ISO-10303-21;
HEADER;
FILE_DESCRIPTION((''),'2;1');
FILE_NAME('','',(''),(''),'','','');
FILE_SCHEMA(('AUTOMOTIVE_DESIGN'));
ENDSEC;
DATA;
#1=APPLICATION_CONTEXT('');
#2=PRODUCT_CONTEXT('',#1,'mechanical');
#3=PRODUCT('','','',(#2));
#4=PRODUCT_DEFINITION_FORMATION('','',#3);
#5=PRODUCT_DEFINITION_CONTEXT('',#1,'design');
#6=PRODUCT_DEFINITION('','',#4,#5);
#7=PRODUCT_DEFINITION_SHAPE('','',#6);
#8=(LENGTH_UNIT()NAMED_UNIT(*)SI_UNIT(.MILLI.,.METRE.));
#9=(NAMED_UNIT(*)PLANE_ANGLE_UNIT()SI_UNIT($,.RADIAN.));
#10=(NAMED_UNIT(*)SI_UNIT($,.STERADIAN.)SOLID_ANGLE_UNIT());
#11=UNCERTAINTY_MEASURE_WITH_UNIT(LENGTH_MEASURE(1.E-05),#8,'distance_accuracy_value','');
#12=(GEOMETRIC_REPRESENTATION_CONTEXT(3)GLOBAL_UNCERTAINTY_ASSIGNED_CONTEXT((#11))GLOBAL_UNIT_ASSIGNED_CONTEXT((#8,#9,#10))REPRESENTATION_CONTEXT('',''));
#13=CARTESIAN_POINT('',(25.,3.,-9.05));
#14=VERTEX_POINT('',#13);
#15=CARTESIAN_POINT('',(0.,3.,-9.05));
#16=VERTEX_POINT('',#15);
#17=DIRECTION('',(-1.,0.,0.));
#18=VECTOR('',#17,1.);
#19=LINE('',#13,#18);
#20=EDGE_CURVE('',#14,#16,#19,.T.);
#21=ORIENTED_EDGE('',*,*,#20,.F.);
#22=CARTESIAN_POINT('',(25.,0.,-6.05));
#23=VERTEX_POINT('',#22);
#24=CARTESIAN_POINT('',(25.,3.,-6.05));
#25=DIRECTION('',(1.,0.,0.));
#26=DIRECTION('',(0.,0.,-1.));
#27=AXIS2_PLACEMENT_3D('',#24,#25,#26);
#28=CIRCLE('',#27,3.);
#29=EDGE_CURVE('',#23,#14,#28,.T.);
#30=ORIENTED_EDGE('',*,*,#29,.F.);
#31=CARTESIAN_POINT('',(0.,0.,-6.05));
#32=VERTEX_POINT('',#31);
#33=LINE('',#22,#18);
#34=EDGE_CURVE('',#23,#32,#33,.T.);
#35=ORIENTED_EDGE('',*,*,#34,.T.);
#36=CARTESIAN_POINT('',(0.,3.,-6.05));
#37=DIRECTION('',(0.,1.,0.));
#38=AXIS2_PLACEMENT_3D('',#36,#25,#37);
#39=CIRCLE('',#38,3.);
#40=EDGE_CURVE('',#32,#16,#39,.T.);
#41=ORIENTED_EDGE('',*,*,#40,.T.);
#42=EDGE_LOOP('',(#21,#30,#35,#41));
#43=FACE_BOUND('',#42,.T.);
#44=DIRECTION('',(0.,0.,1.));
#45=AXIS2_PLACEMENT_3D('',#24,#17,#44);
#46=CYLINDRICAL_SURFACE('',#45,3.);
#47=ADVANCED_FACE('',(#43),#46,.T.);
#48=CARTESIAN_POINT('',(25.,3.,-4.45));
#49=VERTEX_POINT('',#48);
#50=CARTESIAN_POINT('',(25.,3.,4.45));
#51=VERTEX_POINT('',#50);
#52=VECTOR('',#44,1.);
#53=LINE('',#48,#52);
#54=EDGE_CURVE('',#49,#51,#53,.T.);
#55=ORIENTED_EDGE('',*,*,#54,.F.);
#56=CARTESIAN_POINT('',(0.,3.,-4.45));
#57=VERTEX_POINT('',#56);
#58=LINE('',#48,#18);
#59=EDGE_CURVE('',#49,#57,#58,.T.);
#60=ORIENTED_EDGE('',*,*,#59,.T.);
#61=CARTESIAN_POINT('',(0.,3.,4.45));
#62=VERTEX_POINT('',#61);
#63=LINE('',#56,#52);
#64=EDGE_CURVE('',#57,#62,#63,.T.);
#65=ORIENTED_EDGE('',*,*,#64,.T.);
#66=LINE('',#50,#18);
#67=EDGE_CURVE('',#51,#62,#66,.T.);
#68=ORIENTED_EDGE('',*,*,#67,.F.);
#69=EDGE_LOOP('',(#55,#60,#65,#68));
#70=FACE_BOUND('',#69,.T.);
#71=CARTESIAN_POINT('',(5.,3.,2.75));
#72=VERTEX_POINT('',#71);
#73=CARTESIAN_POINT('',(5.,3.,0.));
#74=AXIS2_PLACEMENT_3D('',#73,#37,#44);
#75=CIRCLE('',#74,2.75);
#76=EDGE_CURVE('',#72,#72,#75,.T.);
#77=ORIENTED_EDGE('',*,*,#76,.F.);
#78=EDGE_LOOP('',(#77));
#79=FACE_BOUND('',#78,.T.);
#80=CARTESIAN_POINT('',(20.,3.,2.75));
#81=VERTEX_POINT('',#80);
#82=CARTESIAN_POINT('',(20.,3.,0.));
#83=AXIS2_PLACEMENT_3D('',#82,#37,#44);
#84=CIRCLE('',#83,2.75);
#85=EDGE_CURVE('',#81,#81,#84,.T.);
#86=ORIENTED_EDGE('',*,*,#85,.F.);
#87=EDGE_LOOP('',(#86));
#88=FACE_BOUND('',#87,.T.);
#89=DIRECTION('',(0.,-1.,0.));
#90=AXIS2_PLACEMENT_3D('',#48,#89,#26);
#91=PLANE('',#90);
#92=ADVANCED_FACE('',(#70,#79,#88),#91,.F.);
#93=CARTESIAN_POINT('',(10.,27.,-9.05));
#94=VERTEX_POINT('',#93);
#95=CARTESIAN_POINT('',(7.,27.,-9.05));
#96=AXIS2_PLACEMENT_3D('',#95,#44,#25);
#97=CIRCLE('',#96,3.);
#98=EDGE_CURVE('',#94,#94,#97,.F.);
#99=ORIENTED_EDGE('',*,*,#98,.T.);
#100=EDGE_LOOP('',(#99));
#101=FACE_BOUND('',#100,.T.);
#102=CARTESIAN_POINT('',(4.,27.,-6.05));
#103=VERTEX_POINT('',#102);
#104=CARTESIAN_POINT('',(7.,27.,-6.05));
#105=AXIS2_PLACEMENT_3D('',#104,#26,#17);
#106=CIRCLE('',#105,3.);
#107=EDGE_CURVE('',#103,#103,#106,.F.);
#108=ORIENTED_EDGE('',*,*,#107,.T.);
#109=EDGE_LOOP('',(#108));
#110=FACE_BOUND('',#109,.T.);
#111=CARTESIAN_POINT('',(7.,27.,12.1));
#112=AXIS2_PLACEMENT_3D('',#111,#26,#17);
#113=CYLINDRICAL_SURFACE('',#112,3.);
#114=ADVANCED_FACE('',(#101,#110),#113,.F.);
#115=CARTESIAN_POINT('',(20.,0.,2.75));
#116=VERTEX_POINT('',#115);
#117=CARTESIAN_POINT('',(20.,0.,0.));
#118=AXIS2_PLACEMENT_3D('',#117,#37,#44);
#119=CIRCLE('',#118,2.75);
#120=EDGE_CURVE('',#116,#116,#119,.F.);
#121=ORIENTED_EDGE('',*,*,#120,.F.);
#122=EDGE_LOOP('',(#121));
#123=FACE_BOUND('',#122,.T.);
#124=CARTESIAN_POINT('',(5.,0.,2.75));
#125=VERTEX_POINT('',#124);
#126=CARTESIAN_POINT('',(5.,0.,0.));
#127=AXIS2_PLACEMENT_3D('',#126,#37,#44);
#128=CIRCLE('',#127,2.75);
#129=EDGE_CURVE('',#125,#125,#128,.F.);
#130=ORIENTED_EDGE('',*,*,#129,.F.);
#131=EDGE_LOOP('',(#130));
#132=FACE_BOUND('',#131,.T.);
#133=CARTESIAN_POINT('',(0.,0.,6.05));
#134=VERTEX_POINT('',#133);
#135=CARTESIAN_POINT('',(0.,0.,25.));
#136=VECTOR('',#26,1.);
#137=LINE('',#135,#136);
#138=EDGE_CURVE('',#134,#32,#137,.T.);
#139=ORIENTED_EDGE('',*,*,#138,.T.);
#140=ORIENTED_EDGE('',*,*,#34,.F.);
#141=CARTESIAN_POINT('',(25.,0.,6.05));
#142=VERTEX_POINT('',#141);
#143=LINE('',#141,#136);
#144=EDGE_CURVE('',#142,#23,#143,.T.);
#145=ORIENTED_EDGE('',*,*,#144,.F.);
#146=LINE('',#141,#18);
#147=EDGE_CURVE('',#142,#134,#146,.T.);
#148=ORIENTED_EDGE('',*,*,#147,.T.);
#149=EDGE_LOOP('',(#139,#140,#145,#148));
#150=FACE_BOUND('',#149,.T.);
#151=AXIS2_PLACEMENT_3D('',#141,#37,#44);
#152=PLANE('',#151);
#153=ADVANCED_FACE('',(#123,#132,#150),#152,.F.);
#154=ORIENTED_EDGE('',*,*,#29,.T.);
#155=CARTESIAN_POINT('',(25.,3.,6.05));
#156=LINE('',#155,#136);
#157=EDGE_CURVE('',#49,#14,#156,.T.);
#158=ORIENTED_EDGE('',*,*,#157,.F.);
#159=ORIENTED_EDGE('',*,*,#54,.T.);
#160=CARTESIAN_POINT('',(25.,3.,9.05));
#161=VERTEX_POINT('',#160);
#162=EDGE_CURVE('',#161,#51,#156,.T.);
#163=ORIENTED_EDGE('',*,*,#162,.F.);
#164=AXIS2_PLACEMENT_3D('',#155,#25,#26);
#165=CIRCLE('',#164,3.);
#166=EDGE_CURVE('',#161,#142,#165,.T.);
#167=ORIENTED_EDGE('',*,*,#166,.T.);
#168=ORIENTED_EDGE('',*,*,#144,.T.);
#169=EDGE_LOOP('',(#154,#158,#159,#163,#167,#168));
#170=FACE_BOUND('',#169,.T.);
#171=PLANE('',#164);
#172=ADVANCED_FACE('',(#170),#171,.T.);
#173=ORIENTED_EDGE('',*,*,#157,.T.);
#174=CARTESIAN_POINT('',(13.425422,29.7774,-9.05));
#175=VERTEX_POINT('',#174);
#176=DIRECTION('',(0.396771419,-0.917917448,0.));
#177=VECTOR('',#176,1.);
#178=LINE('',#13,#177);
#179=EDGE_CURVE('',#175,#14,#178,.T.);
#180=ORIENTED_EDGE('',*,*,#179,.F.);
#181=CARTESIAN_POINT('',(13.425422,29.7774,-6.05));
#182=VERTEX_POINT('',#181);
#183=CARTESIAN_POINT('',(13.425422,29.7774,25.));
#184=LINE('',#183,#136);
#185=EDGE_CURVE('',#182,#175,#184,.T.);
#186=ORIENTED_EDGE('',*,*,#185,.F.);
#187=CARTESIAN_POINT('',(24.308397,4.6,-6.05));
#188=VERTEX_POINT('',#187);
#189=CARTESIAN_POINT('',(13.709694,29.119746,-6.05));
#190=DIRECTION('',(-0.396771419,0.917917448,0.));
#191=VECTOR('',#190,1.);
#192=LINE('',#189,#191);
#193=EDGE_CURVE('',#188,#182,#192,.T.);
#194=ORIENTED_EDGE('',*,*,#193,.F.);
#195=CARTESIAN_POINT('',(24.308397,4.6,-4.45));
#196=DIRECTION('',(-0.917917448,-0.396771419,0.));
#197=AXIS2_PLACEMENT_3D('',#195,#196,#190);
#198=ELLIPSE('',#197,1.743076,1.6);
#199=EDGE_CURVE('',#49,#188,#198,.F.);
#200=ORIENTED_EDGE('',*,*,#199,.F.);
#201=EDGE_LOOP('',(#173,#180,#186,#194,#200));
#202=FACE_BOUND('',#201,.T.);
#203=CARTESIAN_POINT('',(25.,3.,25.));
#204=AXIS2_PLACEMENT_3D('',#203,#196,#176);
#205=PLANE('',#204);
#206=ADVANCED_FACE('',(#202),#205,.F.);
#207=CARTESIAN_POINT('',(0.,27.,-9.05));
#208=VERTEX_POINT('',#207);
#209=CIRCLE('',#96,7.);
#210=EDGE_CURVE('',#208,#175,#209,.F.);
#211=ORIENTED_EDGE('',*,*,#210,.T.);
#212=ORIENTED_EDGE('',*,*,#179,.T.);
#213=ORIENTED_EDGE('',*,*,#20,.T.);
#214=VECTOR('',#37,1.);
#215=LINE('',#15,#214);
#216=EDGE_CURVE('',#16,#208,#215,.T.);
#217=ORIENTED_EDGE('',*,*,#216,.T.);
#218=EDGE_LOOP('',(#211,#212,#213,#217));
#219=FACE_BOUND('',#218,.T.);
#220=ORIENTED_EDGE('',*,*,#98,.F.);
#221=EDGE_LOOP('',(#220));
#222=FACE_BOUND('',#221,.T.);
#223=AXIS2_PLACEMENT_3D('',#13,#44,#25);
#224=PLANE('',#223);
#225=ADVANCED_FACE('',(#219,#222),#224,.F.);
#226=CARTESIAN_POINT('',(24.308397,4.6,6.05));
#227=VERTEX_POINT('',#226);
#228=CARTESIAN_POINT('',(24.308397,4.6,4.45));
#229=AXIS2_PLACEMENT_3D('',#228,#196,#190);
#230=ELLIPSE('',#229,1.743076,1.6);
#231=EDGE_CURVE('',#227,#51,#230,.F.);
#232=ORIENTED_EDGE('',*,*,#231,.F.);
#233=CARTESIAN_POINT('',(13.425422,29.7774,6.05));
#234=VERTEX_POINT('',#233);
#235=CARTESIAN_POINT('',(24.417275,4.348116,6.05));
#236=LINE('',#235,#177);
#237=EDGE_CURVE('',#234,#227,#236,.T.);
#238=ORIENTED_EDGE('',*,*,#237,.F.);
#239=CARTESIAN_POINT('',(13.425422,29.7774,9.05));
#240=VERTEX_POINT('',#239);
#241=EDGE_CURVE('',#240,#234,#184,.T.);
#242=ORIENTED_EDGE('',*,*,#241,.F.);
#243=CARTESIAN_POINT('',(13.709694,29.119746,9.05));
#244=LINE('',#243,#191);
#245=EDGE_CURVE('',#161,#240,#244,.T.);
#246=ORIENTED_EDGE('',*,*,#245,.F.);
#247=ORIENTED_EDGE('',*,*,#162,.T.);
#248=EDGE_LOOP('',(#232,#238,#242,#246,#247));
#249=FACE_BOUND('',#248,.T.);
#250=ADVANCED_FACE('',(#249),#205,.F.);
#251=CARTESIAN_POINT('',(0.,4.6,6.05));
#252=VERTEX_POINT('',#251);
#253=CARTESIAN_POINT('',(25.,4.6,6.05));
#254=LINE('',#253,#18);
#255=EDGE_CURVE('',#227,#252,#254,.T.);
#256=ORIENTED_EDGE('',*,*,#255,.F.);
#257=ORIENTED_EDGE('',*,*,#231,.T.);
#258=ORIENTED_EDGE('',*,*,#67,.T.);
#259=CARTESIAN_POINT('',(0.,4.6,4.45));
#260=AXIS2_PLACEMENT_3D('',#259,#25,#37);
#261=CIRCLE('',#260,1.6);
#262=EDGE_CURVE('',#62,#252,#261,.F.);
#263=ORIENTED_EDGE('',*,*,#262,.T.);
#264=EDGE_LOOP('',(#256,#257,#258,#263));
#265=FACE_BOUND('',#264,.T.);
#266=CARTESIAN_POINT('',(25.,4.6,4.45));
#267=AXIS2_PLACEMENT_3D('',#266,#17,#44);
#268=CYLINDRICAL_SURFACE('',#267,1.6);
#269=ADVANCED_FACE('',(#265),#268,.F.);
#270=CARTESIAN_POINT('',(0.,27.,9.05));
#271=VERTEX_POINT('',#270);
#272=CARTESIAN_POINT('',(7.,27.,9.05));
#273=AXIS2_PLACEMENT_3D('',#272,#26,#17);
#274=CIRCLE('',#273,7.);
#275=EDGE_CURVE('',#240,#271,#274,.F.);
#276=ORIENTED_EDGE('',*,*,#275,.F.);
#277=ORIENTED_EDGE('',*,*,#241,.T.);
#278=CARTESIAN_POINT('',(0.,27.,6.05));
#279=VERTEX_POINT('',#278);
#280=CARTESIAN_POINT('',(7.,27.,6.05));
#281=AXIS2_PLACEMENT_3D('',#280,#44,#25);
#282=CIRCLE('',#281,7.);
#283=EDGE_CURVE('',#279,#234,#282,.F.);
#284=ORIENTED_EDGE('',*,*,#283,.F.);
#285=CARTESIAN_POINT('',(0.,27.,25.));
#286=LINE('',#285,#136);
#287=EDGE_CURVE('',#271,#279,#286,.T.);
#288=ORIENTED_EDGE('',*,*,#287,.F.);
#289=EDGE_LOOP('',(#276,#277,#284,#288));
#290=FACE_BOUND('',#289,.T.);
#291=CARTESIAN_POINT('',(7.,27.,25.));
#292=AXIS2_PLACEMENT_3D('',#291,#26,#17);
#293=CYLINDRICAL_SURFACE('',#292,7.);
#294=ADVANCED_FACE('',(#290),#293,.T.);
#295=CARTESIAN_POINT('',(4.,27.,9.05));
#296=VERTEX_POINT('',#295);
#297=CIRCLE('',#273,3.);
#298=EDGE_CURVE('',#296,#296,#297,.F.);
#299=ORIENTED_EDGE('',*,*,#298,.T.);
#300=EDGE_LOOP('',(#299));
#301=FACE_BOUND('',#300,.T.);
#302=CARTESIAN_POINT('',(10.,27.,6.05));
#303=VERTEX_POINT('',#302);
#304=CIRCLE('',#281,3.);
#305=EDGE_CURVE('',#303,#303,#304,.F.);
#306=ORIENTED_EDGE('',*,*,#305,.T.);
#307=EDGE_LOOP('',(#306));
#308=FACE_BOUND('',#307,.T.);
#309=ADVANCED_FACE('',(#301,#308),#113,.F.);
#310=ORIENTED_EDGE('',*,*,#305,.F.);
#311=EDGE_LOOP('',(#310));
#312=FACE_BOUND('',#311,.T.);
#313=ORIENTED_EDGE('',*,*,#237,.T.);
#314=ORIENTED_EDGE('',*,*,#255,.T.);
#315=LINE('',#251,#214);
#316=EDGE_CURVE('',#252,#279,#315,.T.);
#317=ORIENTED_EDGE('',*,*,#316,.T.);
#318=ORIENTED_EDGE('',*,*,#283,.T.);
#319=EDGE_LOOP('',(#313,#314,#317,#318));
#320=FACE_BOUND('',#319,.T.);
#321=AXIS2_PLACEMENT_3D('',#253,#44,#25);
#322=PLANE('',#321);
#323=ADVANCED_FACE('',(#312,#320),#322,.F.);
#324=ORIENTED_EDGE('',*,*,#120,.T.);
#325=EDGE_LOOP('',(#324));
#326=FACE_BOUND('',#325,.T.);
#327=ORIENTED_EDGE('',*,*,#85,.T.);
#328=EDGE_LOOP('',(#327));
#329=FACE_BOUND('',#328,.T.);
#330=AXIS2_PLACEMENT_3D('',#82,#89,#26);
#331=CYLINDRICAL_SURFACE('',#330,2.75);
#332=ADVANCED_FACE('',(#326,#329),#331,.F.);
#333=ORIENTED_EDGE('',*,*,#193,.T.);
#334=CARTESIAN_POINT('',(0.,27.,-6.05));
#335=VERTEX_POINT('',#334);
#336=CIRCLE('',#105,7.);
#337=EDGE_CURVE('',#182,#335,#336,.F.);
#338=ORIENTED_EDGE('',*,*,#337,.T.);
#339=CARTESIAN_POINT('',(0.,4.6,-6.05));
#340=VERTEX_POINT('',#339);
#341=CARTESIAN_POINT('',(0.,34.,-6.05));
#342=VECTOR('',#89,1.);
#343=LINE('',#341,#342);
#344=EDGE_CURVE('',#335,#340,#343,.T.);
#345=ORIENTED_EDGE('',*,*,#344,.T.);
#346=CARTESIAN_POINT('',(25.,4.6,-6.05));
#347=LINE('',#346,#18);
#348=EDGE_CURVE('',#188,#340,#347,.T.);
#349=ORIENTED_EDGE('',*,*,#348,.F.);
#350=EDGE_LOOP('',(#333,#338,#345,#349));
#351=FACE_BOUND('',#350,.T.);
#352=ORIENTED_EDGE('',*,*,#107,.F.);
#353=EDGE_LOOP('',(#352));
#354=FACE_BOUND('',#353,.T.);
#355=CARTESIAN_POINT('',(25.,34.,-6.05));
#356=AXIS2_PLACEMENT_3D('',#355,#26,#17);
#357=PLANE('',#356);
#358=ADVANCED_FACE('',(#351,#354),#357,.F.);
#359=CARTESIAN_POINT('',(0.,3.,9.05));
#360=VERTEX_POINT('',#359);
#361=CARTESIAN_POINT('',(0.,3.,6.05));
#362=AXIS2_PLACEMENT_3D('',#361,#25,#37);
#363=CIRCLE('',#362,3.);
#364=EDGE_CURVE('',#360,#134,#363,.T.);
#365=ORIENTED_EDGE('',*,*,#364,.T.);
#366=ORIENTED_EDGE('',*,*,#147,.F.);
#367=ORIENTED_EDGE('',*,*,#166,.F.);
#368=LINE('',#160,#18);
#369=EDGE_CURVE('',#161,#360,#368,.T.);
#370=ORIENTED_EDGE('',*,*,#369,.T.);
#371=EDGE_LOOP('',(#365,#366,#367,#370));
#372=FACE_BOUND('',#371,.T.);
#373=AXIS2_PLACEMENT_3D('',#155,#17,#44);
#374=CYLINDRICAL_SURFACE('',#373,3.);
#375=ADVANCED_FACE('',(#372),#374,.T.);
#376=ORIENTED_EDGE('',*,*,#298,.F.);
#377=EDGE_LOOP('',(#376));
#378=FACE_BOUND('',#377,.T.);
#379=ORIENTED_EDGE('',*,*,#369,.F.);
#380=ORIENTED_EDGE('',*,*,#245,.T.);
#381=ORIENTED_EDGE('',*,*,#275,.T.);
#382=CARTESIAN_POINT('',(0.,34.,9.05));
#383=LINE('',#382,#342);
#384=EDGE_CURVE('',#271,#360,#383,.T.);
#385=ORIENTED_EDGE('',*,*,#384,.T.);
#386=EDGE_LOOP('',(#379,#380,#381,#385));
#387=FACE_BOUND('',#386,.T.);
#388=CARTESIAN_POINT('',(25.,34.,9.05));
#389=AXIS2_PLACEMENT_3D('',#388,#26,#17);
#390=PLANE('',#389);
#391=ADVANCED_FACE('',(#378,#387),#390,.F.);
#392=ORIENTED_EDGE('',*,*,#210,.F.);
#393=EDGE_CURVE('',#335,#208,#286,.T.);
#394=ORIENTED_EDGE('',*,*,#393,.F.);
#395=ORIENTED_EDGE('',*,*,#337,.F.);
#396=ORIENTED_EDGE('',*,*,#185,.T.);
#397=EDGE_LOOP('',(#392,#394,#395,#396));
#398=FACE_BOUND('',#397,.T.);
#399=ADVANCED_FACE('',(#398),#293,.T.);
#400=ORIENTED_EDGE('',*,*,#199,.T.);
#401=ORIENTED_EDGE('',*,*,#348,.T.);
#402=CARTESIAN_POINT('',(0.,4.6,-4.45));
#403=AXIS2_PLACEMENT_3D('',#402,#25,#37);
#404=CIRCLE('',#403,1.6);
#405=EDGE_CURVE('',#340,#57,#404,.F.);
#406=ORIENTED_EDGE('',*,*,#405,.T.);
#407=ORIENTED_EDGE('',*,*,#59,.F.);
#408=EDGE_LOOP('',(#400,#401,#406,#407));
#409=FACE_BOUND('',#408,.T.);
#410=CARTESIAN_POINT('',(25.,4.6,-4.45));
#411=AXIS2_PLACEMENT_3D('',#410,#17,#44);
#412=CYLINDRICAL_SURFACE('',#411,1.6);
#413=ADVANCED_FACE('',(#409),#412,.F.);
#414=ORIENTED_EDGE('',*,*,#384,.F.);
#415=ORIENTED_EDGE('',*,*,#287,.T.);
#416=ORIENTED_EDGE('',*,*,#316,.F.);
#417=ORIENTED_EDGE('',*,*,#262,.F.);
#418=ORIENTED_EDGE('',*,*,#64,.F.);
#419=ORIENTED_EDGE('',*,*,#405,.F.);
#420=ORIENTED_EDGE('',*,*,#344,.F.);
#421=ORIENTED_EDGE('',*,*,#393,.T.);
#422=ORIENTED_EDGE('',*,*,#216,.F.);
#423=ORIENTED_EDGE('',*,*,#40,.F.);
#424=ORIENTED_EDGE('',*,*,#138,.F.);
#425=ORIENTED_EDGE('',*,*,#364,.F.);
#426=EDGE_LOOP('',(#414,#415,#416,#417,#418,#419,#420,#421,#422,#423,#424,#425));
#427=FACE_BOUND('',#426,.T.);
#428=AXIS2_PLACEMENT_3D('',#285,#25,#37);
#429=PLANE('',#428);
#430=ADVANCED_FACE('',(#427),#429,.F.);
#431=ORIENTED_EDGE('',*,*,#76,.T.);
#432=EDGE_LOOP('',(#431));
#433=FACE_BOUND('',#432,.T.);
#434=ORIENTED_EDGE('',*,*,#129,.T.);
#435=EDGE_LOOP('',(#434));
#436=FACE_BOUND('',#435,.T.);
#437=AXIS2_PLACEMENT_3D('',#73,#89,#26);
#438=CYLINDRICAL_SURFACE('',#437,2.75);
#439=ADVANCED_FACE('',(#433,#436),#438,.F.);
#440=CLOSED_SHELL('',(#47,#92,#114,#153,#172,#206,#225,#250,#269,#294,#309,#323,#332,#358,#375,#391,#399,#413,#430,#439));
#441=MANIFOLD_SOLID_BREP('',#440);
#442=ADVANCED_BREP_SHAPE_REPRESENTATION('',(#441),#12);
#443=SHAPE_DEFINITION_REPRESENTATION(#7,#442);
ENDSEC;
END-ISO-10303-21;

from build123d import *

# Parameters (mm, degrees)
BOSS_EXTRUDE1_DEPTH      = 25
BOSS_EXTRUDE1_DEPTH_BACK = 25
CUT_EXTRUDE1_DEPTH       = 25
CUT_EXTRUDE1_DEPTH_BACK  = 25
SKETCH2_W                = 74.2
SKETCH2_H                = 66.1
CUT_EXTRUDE2_DEPTH       = 12.1
CUT_EXTRUDE2_DEPTH_BACK  = 12.1
SKETCH3_R                = 3
CUT_EXTRUDE3_DEPTH       = 3
CUT_EXTRUDE3_DEPTH_BACK  = 3
SKETCH4_R                = 2.75
CUT_EXTRUDE4_DEPTH       = 3
CUT_EXTRUDE4_DEPTH_BACK  = 3
SKETCH5_R                = 2.75


with BuildPart() as part:
    # Sketch1 → Boss-Extrude1 (new, two sides: drawn at the far end of the back side and taken through both)
    with BuildSketch(Plane(origin=(0, 0, 0), x_dir=(0, 0, -1), z_dir=(1, 0, 0)).offset(-BOSS_EXTRUDE1_DEPTH_BACK)):
        with BuildLine():
            Line((-6.05, 0), (6.05, 0))
            ThreePointArc((6.05, 0), (8.171320344, 0.878679656), (9.05, 3))
            Line((9.05, 3), (9.05, 34))
            Line((9.05, 34), (6.05, 34))
            Line((6.05, 34), (6.05, 4.6))
            ThreePointArc((6.05, 4.6), (5.58137085, 3.46862915), (4.45, 3))
            Line((4.45, 3), (-4.45, 3))
            ThreePointArc((-4.45, 3), (-5.58137085, 3.46862915), (-6.05, 4.6))
            Line((-6.05, 4.6), (-6.05, 34))
            Line((-6.05, 34), (-9.05, 34))
            Line((-9.05, 34), (-9.05, 3))
            ThreePointArc((-9.05, 3), (-8.171320344, 0.878679656), (-6.05, 0))
        make_face()
    extrude(amount=BOSS_EXTRUDE1_DEPTH + BOSS_EXTRUDE1_DEPTH_BACK)

    # Sketch2 → Cut-Extrude1 (cut, two sides: drawn at the far end of the back side and taken through both)
    with BuildSketch(Plane.XY.offset(-CUT_EXTRUDE1_DEPTH_BACK)):
        with Locations((0, 20.95)):
            Rectangle(SKETCH2_W, SKETCH2_H)
        with BuildLine():
            Line((0, 0), (25, 0))
            Line((25, 0), (25, 3))
            Line((25, 3), (13.425422134, 29.777399934))
            ThreePointArc((13.425422134, 29.777399934), (5.58189474, 33.854850653), (0, 27))
            Line((0, 27), (0, 0))
        make_face(mode=Mode.SUBTRACT)
    extrude(amount=CUT_EXTRUDE1_DEPTH + CUT_EXTRUDE1_DEPTH_BACK, mode=Mode.SUBTRACT)

    # Sketch3 → Cut-Extrude2 (cut, two sides: drawn at the far end of the back side and taken through both)
    with BuildSketch(Plane.XY.offset(-CUT_EXTRUDE2_DEPTH_BACK)):
        with Locations((7, 27)):
            Circle(SKETCH3_R)
    extrude(amount=CUT_EXTRUDE2_DEPTH + CUT_EXTRUDE2_DEPTH_BACK, mode=Mode.SUBTRACT)

    # Sketch4 → Cut-Extrude3 (cut, two sides: drawn at the far end of the back side and taken through both)
    with BuildSketch(Plane(origin=(0, 0, 0), x_dir=(1, 0, 0), z_dir=(0, 1, 0)).offset(-CUT_EXTRUDE3_DEPTH_BACK)):
        with Locations((5, 0)):
            Circle(SKETCH4_R)
    extrude(amount=CUT_EXTRUDE3_DEPTH + CUT_EXTRUDE3_DEPTH_BACK, mode=Mode.SUBTRACT)

    # Sketch5 → Cut-Extrude4 (cut, two sides: drawn at the far end of the back side and taken through both)
    with BuildSketch(Plane(origin=(0, 0, 0), x_dir=(1, 0, 0), z_dir=(0, 1, 0)).offset(-CUT_EXTRUDE4_DEPTH_BACK)):
        with Locations((20, 0)):
            Circle(SKETCH5_R)
    extrude(amount=CUT_EXTRUDE4_DEPTH + CUT_EXTRUDE4_DEPTH_BACK, mode=Mode.SUBTRACT)


solid = part.part
